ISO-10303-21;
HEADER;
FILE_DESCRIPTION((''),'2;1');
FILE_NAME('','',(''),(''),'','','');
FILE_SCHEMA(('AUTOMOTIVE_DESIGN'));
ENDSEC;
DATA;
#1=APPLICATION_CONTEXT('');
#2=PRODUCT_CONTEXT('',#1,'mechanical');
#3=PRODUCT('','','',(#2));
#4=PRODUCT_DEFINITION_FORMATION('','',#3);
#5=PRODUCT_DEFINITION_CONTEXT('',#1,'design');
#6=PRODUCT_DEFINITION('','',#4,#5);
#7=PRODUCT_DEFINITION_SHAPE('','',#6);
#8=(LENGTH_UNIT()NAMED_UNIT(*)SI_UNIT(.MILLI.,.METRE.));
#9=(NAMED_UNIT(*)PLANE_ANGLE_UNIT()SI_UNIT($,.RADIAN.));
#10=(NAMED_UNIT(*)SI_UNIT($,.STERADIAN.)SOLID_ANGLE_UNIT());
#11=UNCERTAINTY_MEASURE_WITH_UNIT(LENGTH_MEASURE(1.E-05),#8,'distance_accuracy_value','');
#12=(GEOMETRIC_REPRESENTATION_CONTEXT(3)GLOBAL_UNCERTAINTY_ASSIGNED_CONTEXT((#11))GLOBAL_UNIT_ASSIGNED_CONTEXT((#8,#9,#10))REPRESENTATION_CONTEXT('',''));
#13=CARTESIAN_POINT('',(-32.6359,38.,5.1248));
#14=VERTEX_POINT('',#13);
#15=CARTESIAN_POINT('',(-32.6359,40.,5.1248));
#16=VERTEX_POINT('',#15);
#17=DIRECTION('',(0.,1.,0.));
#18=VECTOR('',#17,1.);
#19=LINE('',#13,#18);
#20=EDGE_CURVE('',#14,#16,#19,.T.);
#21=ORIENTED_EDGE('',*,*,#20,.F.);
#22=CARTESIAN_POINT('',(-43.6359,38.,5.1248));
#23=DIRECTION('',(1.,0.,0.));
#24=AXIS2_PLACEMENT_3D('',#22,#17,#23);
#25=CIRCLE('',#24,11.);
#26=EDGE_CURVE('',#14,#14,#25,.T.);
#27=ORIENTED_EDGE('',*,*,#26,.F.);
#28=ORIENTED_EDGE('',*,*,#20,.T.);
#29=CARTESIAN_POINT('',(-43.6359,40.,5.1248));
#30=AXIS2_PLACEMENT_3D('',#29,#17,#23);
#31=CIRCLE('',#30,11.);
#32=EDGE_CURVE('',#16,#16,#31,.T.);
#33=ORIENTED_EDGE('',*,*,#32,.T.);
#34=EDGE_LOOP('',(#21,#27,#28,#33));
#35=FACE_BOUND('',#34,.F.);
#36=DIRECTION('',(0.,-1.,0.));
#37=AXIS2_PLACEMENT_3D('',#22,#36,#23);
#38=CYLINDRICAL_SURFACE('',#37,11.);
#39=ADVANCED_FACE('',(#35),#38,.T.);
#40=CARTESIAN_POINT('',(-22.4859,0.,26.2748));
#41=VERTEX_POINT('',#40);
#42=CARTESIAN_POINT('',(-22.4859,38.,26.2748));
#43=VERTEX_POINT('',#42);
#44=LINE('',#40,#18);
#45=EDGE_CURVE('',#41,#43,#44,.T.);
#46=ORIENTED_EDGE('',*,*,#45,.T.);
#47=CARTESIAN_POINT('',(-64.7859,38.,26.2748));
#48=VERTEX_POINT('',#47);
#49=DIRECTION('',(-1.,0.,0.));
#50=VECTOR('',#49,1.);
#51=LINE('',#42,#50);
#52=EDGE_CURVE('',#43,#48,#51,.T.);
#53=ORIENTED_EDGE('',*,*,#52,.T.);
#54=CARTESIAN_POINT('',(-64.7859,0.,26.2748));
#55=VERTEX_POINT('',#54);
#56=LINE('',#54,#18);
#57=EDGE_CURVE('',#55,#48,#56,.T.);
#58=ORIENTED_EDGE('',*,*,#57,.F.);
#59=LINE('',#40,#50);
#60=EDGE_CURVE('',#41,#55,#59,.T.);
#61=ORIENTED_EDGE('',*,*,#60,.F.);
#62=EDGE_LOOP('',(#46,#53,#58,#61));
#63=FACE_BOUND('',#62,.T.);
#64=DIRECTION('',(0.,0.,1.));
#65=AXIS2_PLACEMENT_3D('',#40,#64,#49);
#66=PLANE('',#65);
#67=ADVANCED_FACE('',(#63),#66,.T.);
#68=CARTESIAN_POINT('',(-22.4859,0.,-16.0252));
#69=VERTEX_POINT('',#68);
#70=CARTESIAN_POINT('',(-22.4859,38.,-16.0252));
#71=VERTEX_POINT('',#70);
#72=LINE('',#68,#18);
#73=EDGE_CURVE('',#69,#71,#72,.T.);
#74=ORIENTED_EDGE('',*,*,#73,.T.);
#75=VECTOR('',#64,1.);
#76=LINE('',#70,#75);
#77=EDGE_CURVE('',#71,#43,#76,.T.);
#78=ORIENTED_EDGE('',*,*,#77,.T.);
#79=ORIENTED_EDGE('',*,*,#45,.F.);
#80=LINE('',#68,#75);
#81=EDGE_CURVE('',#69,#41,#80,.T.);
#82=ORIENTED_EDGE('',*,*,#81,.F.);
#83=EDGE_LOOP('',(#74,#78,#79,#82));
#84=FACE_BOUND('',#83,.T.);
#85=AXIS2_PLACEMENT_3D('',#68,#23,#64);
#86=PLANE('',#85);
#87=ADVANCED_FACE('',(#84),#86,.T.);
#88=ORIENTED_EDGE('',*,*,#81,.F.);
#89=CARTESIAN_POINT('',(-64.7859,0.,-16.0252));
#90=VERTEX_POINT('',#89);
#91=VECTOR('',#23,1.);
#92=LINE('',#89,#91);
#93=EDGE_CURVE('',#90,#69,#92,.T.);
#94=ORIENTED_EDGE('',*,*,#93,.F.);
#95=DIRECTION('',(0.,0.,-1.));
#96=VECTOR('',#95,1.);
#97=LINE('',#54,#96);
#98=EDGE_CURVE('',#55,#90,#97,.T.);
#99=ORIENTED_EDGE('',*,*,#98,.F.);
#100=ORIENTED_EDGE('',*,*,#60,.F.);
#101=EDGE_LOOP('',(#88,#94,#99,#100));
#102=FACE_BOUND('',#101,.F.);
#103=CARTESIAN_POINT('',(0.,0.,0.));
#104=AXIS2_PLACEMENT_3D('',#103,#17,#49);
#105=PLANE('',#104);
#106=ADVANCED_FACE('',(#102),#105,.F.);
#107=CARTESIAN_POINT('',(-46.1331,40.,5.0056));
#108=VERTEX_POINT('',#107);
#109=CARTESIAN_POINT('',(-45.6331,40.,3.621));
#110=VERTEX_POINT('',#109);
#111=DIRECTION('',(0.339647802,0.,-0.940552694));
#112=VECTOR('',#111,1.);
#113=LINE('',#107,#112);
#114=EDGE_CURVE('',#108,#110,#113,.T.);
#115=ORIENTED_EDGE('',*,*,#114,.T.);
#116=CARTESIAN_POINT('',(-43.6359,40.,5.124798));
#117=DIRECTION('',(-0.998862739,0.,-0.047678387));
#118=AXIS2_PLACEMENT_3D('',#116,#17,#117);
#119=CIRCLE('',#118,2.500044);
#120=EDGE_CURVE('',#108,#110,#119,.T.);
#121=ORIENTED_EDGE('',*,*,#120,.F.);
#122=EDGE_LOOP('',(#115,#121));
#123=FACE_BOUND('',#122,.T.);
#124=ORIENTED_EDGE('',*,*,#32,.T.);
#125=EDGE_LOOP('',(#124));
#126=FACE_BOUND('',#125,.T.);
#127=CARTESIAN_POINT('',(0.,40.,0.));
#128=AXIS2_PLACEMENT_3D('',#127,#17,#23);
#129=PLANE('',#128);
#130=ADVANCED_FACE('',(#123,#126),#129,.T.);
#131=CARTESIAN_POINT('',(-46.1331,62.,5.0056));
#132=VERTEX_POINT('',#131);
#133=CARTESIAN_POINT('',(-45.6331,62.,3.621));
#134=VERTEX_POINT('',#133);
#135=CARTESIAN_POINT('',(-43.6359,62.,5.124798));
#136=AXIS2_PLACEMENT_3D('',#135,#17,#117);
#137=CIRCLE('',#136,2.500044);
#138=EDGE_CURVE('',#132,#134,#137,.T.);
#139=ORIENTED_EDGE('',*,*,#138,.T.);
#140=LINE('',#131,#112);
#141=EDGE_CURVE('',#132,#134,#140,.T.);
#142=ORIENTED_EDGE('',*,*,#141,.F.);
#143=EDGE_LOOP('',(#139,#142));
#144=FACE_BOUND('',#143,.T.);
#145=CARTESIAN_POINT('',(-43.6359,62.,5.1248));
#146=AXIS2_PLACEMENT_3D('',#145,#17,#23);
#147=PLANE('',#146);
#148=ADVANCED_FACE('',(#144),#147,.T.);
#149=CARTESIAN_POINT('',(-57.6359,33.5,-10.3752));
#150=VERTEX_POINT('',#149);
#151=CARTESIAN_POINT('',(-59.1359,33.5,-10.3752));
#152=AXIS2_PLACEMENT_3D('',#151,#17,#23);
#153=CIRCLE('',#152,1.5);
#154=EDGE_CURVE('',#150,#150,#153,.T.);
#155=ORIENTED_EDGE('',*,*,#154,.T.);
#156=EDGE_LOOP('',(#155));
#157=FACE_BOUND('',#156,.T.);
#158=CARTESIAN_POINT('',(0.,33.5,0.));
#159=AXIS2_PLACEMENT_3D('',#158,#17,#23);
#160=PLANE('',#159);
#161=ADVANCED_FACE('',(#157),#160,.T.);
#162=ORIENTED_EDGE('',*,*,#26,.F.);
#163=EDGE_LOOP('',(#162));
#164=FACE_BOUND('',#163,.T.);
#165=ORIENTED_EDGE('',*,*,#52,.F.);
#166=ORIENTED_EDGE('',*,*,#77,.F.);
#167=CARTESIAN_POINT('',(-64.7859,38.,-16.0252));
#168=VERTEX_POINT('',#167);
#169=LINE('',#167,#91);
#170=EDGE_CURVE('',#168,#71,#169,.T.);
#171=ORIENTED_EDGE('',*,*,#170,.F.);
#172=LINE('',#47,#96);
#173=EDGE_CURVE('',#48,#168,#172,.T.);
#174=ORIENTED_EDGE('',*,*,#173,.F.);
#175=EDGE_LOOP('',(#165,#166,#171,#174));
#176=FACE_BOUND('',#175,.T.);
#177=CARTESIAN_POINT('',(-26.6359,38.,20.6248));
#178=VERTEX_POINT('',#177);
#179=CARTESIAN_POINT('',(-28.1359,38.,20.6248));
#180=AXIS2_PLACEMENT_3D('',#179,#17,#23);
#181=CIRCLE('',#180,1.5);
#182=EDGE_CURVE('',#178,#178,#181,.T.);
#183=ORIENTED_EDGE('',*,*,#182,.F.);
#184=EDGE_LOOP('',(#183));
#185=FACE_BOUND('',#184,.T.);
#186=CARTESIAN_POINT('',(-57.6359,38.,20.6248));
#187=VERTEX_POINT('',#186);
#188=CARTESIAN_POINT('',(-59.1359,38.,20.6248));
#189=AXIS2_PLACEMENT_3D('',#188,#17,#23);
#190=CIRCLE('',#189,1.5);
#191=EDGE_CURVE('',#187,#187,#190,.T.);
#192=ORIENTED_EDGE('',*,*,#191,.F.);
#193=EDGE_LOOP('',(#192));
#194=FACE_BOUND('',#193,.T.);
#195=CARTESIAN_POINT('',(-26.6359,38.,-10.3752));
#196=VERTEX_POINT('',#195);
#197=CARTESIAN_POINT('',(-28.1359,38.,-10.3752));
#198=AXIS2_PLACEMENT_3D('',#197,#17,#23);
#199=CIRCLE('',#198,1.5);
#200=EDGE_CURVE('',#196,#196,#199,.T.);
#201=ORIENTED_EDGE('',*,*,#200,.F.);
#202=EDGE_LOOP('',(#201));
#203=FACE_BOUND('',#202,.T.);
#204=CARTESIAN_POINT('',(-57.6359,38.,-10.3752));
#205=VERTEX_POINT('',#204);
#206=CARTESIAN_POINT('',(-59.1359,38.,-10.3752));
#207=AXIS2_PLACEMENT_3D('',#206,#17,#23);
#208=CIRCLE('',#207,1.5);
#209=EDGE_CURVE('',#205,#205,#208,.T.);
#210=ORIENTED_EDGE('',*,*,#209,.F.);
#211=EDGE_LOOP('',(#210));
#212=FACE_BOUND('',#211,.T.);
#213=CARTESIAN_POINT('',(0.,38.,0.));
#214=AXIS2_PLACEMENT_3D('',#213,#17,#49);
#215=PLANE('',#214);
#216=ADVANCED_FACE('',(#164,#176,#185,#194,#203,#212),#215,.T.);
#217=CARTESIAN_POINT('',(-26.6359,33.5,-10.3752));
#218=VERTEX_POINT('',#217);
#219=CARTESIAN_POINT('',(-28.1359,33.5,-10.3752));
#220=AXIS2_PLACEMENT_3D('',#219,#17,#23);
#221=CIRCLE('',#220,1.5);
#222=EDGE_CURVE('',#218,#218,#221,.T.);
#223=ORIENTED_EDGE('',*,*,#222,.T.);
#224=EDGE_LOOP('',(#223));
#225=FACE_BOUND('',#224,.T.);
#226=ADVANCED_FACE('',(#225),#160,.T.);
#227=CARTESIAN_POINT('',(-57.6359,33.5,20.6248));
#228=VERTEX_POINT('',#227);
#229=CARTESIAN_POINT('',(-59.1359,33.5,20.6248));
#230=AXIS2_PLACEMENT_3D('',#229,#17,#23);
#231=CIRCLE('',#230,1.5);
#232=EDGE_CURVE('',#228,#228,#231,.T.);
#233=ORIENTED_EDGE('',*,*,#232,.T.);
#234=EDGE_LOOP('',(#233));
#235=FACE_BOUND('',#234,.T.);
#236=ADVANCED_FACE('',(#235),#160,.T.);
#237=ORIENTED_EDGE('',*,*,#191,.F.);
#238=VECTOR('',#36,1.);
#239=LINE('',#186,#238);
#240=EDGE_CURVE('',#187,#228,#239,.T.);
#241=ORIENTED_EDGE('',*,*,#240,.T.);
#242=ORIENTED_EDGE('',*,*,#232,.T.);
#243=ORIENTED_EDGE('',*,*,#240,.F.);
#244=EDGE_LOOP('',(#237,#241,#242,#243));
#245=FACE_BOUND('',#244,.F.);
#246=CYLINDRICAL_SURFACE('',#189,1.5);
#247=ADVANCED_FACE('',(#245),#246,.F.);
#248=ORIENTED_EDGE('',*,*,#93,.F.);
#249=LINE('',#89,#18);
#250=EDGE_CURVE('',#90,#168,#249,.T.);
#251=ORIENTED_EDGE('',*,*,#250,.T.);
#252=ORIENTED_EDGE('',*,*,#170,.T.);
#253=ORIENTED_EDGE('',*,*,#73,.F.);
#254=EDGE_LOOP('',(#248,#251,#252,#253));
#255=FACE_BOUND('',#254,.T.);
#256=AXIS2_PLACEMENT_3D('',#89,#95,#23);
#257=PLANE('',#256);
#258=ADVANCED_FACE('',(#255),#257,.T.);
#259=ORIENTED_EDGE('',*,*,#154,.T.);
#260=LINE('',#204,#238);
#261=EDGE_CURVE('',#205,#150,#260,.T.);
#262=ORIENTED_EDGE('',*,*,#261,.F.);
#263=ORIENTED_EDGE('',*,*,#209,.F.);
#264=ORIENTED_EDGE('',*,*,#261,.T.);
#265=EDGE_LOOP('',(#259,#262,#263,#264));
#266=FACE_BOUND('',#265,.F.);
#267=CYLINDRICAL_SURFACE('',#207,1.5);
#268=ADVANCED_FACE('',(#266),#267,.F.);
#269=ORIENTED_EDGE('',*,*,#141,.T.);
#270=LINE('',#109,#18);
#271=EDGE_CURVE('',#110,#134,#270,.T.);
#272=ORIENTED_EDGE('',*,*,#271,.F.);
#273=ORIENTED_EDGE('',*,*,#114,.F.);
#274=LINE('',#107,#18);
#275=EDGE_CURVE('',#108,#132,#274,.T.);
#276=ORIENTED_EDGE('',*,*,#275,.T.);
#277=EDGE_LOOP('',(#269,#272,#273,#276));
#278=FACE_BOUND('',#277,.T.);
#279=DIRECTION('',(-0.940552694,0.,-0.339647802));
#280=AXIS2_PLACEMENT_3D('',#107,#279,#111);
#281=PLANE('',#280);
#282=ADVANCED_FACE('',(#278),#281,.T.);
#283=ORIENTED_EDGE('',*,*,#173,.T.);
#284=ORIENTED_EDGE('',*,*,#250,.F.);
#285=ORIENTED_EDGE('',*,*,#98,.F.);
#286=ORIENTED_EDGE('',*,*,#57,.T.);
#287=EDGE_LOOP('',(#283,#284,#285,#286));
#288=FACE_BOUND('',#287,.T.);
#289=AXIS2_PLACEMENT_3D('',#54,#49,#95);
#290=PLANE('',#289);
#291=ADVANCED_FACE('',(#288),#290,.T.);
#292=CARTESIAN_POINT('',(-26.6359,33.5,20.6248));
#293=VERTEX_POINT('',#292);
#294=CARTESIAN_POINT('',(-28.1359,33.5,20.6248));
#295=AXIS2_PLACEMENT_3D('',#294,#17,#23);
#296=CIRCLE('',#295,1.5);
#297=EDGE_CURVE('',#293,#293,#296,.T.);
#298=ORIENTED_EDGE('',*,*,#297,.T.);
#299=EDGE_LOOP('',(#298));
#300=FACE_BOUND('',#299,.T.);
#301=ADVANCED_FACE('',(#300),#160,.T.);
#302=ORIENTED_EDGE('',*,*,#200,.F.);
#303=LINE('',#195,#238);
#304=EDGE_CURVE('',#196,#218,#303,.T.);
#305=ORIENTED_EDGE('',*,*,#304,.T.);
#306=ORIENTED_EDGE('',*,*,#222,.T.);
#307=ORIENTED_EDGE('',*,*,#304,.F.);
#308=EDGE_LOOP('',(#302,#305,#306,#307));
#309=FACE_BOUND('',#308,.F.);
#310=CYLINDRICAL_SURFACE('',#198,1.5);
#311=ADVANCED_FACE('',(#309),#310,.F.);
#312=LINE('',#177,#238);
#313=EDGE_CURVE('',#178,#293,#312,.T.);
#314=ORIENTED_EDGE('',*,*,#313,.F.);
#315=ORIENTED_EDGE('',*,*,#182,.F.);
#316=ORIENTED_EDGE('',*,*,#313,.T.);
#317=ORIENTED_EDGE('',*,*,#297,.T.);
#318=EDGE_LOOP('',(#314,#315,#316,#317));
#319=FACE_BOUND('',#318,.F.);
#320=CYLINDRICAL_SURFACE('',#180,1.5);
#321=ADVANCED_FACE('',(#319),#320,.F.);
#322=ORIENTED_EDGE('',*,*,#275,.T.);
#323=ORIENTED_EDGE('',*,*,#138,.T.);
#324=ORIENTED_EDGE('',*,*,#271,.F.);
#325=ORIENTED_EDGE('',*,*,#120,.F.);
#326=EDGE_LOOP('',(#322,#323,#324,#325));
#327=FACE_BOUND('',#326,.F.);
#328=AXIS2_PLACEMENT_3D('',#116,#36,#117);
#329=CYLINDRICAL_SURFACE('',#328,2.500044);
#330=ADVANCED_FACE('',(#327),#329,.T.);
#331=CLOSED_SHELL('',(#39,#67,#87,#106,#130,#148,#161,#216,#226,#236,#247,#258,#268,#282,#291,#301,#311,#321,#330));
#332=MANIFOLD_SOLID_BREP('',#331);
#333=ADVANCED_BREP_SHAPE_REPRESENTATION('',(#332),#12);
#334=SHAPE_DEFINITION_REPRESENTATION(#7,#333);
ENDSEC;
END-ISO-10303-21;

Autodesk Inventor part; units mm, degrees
ref_plane "YZ Plane" through (0, 0, 0) normal (1, 0, 0) x (0, 1, 0)
ref_plane "XZ Plane" through (0, 0, 0) normal (0, 1, 0) x (-1, 0, 0)
ref_plane "XY Plane" through (0, 0, 0) normal (0, 0, 1) x (1, 0, 0)
sketch "Sketch1" plane through (0, 0, 0) normal (0, 1, 0) x (-1, 0, 0)
  line L0 (22.4859, 26.2748) -> (64.7859, 26.2748)
  line L1 (64.7859, 26.2748) -> (64.7859, -16.0252)
  line L2 (64.7859, -16.0252) -> (22.4859, -16.0252)
  line L3 (22.4859, -16.0252) -> (22.4859, 26.2748)
  point P0 (0, 0)
  dimension "d0" = 42.3
  dimension "d1" = 42.3
extrude "Extrusion1" add sketch "Sketch1" along normal blind 38
sketch "Sketch2" plane through (0, 38, 0) normal (0, 1, 0) x (1, 0, 0)
  line L0 (-64.7859, -26.2748) -> (-22.4859, -26.2748) construction
  line L1 (-22.4859, -26.2748) -> (-22.4859, 16.0252) construction
  line L2 (-22.4859, 16.0252) -> (-64.7859, 16.0252) construction
  line L3 (-64.7859, 16.0252) -> (-64.7859, -26.2748) construction
  line L4 (-28.1359, -20.6248) -> (-59.1359, -20.6248) construction
  line L5 (-59.1359, -20.6248) -> (-59.1359, 10.3752) construction
  line L6 (-59.1359, 10.3752) -> (-28.1359, 10.3752) construction
  line L7 (-28.1359, 10.3752) -> (-28.1359, -20.6248) construction
  line L8 (-28.1359, -20.6248) -> (-59.1359, 10.3752) construction
  line L9 (-59.1359, -20.6248) -> (-28.1359, 10.3752) construction
  circle A0 centre (-59.1359, -20.6248) radius 1.5
  circle A1 centre (-59.1359, 10.3752) radius 1.5
  circle A2 centre (-28.1359, -20.6248) radius 1.5
  circle A3 centre (-28.1359, 10.3752) radius 1.5
  point P0 (0, 0)
  point P1 (-43.6359, -5.1248)
  dimension "d4" = 31
  dimension "d5" = 31
  dimension "d6" = 3
  dimension "d7" = 3
  dimension "d8" = 3
  dimension "d9" = 3
extrude "Extrusion2" cut sketch "Sketch2" against normal blind 4.5
sketch "Sketch3" plane through (0, 38, 0) normal (0, 1, 0) x (1, 0, 0)
  circle A0 centre (-28.1359, -20.6248) radius 1.5 construction
  circle A1 centre (-59.1359, -20.6248) radius 1.5 construction
  circle A2 centre (-59.1359, 10.3752) radius 1.5 construction
  circle A3 centre (-28.1359, 10.3752) radius 1.5 construction
  line L0 (-64.7859, -26.2748) -> (-22.4859, -26.2748) construction
  line L1 (-22.4859, -26.2748) -> (-22.4859, 16.0252) construction
  line L2 (-22.4859, 16.0252) -> (-64.7859, 16.0252) construction
  line L3 (-64.7859, 16.0252) -> (-64.7859, -26.2748) construction
  circle A4 centre (-43.6359, -5.1248) radius 11
  point P0 (0, 0)
  dimension "d12" = 22
extrude "Extrusion3" add sketch "Sketch3" along normal blind 2
sketch "Sketch4" plane through (-43.6359, 40, 5.1248) normal (0, 1, 0) x (1, 0, 0)
  circle A0 centre (0, 0) radius 11 construction
  circle A1 centre (15.5, -15.5) radius 1.5 construction
  circle A2 centre (-15.5, -15.5) radius 1.5 construction
  circle A3 centre (-15.5, 15.5) radius 1.5 construction
  circle A4 centre (15.5, 15.5) radius 1.5 construction
  line L0 (-21.15, -21.15) -> (21.15, -21.15) construction
  line L1 (21.15, -21.15) -> (21.15, 21.15) construction
  line L2 (21.15, 21.15) -> (-21.15, 21.15) construction
  line L3 (-21.15, 21.15) -> (-21.15, -21.15) construction
  arc A5 (-2.4972, 0.1192) -> (-1.9972, 1.5038) centre (0, 0) ccw
  line L4 (-2.4972, 0.1192) -> (-1.9972, 1.5038)
  point P0 (43.6359, 5.1248)
  dimension "d15" = 5
  dimension "d16" = 0.5
extrude "Extrusion4" add sketch "Sketch4" along normal blind 22
